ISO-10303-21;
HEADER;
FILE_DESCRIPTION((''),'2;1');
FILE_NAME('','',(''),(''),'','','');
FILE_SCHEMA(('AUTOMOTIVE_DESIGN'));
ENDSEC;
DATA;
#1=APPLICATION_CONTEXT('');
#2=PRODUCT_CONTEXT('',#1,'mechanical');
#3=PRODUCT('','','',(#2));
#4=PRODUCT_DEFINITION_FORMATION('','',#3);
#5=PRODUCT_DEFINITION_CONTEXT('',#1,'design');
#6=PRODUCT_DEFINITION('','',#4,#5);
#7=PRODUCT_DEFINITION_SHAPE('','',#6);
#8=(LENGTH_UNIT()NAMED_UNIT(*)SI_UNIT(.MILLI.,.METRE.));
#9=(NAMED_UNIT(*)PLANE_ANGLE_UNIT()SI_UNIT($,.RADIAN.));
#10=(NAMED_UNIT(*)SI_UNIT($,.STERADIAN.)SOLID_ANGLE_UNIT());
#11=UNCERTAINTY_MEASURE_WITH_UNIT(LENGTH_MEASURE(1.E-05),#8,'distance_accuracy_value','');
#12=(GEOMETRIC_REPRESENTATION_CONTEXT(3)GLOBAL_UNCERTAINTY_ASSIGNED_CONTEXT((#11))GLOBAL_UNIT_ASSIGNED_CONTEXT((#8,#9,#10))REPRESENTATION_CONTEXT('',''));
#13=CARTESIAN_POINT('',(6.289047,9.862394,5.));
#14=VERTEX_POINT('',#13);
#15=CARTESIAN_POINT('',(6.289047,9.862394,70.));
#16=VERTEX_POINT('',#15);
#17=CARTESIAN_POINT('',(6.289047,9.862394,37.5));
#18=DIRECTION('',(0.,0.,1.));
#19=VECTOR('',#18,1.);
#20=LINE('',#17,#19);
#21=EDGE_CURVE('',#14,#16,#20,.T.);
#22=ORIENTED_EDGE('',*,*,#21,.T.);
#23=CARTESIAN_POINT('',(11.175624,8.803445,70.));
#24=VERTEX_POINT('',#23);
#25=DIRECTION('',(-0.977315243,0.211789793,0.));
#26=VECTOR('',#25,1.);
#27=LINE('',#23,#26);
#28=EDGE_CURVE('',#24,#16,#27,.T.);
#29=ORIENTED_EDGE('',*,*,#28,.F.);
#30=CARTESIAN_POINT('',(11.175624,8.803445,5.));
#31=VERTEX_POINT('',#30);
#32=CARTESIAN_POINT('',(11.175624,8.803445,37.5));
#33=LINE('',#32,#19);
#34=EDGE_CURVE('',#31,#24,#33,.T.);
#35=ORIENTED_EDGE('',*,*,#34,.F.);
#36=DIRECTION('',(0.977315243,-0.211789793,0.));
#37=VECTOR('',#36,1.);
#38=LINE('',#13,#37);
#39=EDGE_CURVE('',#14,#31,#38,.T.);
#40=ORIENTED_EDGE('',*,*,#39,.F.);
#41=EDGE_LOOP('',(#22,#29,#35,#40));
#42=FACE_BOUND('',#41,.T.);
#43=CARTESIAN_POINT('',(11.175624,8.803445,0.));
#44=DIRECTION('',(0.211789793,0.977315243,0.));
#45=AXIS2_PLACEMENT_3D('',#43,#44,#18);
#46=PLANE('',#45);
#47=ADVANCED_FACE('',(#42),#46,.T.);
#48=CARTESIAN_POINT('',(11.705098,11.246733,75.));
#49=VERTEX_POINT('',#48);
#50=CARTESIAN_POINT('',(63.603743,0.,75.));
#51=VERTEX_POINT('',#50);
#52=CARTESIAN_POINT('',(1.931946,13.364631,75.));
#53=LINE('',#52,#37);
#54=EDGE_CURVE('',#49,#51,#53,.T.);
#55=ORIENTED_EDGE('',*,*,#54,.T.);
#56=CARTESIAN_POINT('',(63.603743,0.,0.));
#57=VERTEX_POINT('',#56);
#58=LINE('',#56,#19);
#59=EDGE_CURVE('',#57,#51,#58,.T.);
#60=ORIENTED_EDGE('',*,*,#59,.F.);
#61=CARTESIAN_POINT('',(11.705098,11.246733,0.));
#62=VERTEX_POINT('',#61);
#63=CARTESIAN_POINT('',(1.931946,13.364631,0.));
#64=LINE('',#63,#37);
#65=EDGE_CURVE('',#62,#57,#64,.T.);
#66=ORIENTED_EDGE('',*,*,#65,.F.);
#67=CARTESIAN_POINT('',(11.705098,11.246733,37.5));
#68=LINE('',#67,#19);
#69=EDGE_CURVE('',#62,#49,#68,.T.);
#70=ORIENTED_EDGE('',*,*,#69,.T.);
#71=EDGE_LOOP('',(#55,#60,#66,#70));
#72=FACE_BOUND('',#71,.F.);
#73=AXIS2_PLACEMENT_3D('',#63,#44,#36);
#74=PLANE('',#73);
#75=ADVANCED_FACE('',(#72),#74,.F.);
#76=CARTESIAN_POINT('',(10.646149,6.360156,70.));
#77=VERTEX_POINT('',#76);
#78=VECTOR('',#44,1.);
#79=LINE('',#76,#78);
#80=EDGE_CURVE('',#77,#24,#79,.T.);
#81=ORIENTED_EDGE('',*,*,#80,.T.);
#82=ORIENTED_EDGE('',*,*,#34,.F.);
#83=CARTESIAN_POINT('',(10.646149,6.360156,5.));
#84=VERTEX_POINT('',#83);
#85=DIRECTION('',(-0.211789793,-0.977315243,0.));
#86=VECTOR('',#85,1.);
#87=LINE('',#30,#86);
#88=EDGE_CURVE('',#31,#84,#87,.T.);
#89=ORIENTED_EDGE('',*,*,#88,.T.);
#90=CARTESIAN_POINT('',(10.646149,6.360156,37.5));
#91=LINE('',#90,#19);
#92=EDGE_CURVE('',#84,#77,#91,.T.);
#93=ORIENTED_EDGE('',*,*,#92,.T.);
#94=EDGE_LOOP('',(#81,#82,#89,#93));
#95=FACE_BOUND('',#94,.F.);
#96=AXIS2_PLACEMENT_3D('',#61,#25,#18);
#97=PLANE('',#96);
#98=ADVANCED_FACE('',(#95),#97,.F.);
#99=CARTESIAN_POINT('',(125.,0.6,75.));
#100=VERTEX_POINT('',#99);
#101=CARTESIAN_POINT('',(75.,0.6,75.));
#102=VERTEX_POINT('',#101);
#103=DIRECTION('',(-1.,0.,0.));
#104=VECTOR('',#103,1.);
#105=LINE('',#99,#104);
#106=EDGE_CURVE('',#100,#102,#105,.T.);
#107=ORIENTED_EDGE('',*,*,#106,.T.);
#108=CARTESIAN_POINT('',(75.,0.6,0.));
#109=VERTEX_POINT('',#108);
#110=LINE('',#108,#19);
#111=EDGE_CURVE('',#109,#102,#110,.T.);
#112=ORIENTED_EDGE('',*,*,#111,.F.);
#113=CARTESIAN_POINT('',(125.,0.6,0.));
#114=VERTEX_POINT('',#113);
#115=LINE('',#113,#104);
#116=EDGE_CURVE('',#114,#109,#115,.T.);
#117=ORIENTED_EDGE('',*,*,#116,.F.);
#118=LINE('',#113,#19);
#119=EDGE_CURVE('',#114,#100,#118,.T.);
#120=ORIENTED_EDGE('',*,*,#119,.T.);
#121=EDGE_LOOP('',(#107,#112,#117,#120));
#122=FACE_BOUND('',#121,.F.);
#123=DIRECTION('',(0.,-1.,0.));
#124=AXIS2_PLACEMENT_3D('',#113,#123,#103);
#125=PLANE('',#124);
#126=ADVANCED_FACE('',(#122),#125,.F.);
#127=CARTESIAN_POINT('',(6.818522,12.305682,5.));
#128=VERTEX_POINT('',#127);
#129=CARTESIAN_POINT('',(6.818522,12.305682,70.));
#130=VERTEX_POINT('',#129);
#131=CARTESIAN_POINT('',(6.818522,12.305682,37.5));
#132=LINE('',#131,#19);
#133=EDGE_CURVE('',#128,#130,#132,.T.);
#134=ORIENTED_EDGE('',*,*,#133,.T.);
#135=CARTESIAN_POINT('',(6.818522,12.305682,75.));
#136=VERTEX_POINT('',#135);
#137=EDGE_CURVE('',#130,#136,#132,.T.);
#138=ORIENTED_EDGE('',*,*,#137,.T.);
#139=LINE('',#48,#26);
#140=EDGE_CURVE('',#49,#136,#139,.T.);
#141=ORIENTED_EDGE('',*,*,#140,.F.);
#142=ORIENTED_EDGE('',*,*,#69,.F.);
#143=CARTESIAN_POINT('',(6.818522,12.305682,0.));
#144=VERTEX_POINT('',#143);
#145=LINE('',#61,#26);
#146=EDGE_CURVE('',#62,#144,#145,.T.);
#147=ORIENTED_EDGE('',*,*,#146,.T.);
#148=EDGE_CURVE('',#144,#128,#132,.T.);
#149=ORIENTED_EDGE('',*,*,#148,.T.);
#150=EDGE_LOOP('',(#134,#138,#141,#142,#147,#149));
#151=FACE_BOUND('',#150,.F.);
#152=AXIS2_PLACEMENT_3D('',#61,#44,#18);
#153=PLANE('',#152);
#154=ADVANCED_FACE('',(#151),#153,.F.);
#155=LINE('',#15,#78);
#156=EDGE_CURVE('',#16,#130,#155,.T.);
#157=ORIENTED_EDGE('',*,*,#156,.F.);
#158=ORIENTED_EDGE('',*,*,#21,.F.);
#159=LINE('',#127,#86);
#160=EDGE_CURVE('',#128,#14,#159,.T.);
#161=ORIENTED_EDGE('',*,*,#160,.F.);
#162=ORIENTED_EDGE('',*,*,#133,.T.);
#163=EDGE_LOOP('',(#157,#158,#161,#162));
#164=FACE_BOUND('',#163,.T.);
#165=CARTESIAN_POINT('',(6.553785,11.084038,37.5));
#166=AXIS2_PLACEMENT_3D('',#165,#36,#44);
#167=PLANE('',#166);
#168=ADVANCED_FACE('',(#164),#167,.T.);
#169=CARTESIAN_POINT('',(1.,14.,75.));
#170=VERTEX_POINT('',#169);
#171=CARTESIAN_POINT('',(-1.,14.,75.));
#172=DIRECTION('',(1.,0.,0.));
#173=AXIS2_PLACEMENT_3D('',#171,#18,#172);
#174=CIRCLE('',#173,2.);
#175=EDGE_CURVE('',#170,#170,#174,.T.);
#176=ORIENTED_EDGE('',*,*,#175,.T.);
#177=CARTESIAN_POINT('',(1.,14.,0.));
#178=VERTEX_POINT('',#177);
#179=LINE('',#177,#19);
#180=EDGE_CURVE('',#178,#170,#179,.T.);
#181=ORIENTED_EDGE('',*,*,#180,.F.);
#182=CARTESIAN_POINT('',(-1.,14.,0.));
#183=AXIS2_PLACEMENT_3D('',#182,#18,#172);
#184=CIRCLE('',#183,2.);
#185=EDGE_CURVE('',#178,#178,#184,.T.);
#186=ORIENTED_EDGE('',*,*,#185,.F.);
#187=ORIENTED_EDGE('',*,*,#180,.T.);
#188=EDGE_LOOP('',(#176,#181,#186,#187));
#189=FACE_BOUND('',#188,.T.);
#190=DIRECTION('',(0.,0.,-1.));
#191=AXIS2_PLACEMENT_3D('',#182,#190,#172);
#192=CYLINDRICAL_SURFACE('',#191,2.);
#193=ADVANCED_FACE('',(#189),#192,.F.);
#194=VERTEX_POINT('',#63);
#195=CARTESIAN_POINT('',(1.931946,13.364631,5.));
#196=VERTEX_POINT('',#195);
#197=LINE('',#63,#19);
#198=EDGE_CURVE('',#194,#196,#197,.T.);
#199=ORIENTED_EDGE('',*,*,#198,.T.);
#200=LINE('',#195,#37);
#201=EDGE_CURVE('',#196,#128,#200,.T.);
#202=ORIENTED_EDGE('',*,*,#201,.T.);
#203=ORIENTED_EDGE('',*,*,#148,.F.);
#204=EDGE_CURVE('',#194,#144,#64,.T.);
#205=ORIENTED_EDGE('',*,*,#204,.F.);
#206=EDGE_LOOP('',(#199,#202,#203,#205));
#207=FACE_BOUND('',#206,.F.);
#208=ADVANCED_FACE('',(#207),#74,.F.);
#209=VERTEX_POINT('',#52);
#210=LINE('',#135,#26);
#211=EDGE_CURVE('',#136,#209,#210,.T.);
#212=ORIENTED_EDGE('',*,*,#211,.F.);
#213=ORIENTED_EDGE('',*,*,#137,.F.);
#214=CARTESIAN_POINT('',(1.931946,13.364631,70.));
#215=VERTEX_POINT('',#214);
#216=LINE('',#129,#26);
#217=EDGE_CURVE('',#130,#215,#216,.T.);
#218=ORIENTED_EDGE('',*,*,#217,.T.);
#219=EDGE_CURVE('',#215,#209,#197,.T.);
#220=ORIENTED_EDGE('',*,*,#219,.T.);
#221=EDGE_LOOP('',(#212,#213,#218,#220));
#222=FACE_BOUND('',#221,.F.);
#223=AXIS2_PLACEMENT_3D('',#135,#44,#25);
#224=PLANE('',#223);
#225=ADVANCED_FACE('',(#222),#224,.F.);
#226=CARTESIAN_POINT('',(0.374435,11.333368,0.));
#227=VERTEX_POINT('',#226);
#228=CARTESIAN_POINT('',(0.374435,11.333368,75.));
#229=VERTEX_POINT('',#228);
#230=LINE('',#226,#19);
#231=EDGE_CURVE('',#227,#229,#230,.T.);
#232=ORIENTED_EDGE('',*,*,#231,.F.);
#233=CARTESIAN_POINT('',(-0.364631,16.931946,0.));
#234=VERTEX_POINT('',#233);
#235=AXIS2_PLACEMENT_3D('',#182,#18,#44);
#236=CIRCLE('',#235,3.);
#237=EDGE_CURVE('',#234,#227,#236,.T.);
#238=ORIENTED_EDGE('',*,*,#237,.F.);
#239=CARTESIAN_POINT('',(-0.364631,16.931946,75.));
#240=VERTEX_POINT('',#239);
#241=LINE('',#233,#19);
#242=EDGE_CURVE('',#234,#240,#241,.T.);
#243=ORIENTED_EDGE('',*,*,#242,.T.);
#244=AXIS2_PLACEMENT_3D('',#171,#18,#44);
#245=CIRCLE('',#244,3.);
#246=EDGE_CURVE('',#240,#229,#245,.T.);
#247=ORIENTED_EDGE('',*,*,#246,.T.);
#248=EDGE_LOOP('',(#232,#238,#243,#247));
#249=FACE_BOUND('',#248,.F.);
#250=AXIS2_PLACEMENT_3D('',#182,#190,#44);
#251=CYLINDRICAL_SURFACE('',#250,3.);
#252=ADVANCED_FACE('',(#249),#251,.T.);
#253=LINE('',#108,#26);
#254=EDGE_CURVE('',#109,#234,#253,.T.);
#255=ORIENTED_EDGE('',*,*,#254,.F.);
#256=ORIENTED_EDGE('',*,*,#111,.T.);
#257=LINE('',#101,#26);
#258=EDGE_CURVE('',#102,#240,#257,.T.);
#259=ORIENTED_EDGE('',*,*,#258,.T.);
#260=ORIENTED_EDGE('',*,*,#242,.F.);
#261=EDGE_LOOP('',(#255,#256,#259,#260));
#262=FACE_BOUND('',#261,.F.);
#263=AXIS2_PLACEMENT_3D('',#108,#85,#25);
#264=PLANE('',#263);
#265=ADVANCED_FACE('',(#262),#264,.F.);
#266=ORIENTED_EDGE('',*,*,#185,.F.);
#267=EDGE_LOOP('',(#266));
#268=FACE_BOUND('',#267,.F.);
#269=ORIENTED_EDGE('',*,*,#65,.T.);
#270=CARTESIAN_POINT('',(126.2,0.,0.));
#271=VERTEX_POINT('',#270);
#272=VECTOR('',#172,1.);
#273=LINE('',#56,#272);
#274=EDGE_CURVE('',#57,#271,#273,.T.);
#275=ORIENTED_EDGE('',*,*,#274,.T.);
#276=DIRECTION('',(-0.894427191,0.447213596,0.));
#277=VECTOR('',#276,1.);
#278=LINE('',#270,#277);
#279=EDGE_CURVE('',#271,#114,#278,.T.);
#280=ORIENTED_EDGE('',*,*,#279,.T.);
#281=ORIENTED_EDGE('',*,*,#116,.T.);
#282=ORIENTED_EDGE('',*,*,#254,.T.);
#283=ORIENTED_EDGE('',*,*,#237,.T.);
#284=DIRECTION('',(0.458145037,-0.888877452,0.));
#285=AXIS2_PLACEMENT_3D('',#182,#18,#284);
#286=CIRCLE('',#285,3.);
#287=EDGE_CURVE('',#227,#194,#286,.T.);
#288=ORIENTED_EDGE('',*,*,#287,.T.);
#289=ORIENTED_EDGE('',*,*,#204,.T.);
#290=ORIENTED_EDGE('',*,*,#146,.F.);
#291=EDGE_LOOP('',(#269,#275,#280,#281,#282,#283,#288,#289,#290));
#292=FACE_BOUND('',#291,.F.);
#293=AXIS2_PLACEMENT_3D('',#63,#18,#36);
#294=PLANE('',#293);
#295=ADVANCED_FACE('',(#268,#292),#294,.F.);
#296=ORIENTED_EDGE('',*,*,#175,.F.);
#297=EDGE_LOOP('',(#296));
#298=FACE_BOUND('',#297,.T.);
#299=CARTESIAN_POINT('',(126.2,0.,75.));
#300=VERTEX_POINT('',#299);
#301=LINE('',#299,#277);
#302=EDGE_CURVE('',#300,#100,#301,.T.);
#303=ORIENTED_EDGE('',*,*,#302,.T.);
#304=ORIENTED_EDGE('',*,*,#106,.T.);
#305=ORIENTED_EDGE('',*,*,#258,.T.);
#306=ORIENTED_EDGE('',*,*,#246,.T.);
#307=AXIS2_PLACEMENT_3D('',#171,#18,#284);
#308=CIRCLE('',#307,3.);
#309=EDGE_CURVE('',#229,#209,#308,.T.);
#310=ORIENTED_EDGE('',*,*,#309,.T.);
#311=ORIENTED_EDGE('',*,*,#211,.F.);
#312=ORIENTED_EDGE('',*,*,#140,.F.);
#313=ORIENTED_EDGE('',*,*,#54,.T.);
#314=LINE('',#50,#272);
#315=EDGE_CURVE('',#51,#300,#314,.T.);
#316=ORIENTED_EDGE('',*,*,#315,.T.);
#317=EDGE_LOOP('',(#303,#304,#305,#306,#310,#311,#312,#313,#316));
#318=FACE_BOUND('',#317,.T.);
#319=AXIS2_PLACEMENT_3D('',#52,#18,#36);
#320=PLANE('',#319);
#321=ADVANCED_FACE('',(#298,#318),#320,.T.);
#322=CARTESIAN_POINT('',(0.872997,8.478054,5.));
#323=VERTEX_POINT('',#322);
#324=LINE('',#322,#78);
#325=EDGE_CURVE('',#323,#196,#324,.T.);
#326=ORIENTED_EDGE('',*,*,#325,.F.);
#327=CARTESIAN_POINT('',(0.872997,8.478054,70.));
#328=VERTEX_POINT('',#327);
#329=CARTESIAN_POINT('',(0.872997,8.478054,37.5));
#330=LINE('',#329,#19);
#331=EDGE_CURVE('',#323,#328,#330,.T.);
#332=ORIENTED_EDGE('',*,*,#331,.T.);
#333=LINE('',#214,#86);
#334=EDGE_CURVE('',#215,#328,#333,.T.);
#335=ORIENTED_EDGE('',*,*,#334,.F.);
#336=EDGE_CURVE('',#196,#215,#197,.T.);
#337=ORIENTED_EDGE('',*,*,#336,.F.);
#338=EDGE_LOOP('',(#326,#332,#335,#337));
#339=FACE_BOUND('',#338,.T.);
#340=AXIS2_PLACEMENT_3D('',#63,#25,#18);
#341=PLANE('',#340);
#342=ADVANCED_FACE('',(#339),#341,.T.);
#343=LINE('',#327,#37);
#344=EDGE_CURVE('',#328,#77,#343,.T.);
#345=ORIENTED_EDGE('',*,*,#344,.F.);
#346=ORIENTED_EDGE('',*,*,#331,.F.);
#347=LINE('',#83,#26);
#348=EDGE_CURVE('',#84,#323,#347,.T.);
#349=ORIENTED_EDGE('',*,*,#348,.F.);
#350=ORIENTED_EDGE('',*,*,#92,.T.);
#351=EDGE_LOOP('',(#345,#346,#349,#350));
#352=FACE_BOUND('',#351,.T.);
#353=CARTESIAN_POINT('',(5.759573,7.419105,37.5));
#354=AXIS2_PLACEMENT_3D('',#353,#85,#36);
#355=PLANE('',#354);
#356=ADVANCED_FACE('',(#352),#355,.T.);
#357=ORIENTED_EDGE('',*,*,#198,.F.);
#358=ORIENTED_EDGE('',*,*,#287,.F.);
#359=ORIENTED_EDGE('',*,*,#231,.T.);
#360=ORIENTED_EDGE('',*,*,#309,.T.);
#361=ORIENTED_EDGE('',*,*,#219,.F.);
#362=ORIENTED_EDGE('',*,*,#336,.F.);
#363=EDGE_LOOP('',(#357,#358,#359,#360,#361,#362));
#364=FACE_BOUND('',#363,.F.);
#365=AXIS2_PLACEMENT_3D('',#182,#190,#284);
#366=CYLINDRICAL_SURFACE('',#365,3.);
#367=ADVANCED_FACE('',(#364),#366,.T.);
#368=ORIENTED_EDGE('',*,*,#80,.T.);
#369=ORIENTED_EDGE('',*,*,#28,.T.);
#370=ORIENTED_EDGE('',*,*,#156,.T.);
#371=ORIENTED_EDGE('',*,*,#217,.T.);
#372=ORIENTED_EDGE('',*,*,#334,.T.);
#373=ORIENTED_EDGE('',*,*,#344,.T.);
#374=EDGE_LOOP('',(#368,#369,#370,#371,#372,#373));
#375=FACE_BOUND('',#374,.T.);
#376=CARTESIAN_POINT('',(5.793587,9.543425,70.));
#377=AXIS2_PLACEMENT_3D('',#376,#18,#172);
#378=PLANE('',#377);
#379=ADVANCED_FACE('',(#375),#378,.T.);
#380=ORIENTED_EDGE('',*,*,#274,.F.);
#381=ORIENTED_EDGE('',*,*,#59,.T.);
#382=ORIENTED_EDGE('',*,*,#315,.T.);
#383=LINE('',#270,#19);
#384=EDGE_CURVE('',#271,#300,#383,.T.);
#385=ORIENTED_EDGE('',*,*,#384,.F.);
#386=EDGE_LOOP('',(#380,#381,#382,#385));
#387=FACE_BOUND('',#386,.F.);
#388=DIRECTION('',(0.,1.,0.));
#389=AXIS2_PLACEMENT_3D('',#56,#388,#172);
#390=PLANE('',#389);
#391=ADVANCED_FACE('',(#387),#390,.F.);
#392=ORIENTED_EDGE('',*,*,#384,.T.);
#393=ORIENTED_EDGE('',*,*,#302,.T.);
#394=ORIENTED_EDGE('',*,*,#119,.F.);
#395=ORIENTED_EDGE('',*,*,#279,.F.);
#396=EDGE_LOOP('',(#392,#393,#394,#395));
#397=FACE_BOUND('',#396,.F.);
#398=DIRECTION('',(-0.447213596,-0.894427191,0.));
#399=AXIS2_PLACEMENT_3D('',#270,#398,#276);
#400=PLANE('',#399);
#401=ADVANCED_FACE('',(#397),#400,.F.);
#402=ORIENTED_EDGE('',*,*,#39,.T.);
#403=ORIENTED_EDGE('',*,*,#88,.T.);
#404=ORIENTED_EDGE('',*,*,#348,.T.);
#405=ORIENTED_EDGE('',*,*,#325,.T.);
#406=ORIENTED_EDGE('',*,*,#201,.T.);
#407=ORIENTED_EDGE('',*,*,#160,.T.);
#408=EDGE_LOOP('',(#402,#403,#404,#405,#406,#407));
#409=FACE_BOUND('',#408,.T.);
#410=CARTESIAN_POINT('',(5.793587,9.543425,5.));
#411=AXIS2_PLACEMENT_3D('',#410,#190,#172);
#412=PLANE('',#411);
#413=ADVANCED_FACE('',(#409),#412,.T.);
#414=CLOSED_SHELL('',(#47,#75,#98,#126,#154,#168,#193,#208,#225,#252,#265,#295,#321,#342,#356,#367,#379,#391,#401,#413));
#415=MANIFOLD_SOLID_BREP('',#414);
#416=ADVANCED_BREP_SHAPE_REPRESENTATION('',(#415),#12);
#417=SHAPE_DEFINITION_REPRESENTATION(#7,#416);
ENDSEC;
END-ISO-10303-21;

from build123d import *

# Parameters (mm, degrees)
F0_R     = 2
F1_DEPTH = 75
F2_W     = 10
F2_H     = 75
F3_DEPTH = 5
F4_W     = 2.5
F4_H     = 75
F5_DEPTH = 5
F7_DEPTH = 5
F9_DEPTH = 5


with BuildPart() as f1:
    # F0 (on Top) → F1 (new body)
    with BuildSketch(Plane.XY):
        with BuildLine():
            Line((75, 0.6), (-0.3646306216, 16.9319457282))
            ThreePointArc((-0.3646306216, 16.9319457282), (-3.9741969781, 13.6073776176), (0.3744351102, 11.3333676429))
            ThreePointArc((0.3744351102, 11.3333676429), (1.3807008009, 12.1745510972), (1.9319457282, 13.3646306216))
            Line((1.9319457282, 13.3646306216), (63.6037432565, 0))
            Line((63.6037432565, 0), (75, 0))
            Line((75, 0), (76.2, 0))
            Line((76.2, 0), (125, 0))
            Line((125, 0), (126.2, 0))
            Line((126.2, 0), (125, 0.6))
            Line((125, 0.6), (75, 0.6))
        make_face()
        with Locations((-1, 14)):
            Circle(F0_R, mode=Mode.SUBTRACT)
    extrude(amount=F1_DEPTH)

    # F2 (on face) → F3 (join)
    with BuildSketch(Plane(origin=(2.8529405822, 13.1650457786, 0), x_dir=(0.9773152427, -0.2117897928, 0), z_dir=(-0.2117897928, -0.9773152427, 0))):
        with Locations((4.0576276581, 37.5)):
            Rectangle(F2_W, F2_H)
    extrude(amount=F3_DEPTH)

    # F4 (on face) → F5 (cut)
    with BuildSketch(Plane(origin=(8.8521575732, -1.9183130849, 0), x_dir=(0.2117897928, 0.9773152427, 0), z_dir=(0.9773152427, -0.2117897928, 0))):
        with Locations((12.2206236054, 37.5)):
            Rectangle(F4_W, F4_H)
    extrude(amount=-F5_DEPTH, mode=Mode.SUBTRACT)

    # F6 (on face) → F7 (cut)
    with BuildSketch(Plane.XY.offset(75)):
        Polygon((6.2890474598, 9.8623935508), (6.8185219418, 12.3056816576), (1.9319457282, 13.3646306216), (0.8729967642, 8.478054408), (10.6461491915, 6.36015648), (11.1756236735, 8.8034445868), align=None)
    extrude(amount=-F7_DEPTH, mode=Mode.SUBTRACT)

    # F8 (on face) → F9 (cut)
    with BuildSketch(Plane(origin=(0, 0, 0), x_dir=(1, 0, 0), z_dir=(0, 0, -1))):
        Polygon((1.9319457282, -13.3646306216), (6.8185219418, -12.3056816576), (6.2890474598, -9.8623935508), (11.1756236735, -8.8034445868), (10.6461491915, -6.36015648), (0.8729967642, -8.478054408), align=None)
    extrude(amount=-F9_DEPTH, mode=Mode.SUBTRACT)


solid = f1.part
